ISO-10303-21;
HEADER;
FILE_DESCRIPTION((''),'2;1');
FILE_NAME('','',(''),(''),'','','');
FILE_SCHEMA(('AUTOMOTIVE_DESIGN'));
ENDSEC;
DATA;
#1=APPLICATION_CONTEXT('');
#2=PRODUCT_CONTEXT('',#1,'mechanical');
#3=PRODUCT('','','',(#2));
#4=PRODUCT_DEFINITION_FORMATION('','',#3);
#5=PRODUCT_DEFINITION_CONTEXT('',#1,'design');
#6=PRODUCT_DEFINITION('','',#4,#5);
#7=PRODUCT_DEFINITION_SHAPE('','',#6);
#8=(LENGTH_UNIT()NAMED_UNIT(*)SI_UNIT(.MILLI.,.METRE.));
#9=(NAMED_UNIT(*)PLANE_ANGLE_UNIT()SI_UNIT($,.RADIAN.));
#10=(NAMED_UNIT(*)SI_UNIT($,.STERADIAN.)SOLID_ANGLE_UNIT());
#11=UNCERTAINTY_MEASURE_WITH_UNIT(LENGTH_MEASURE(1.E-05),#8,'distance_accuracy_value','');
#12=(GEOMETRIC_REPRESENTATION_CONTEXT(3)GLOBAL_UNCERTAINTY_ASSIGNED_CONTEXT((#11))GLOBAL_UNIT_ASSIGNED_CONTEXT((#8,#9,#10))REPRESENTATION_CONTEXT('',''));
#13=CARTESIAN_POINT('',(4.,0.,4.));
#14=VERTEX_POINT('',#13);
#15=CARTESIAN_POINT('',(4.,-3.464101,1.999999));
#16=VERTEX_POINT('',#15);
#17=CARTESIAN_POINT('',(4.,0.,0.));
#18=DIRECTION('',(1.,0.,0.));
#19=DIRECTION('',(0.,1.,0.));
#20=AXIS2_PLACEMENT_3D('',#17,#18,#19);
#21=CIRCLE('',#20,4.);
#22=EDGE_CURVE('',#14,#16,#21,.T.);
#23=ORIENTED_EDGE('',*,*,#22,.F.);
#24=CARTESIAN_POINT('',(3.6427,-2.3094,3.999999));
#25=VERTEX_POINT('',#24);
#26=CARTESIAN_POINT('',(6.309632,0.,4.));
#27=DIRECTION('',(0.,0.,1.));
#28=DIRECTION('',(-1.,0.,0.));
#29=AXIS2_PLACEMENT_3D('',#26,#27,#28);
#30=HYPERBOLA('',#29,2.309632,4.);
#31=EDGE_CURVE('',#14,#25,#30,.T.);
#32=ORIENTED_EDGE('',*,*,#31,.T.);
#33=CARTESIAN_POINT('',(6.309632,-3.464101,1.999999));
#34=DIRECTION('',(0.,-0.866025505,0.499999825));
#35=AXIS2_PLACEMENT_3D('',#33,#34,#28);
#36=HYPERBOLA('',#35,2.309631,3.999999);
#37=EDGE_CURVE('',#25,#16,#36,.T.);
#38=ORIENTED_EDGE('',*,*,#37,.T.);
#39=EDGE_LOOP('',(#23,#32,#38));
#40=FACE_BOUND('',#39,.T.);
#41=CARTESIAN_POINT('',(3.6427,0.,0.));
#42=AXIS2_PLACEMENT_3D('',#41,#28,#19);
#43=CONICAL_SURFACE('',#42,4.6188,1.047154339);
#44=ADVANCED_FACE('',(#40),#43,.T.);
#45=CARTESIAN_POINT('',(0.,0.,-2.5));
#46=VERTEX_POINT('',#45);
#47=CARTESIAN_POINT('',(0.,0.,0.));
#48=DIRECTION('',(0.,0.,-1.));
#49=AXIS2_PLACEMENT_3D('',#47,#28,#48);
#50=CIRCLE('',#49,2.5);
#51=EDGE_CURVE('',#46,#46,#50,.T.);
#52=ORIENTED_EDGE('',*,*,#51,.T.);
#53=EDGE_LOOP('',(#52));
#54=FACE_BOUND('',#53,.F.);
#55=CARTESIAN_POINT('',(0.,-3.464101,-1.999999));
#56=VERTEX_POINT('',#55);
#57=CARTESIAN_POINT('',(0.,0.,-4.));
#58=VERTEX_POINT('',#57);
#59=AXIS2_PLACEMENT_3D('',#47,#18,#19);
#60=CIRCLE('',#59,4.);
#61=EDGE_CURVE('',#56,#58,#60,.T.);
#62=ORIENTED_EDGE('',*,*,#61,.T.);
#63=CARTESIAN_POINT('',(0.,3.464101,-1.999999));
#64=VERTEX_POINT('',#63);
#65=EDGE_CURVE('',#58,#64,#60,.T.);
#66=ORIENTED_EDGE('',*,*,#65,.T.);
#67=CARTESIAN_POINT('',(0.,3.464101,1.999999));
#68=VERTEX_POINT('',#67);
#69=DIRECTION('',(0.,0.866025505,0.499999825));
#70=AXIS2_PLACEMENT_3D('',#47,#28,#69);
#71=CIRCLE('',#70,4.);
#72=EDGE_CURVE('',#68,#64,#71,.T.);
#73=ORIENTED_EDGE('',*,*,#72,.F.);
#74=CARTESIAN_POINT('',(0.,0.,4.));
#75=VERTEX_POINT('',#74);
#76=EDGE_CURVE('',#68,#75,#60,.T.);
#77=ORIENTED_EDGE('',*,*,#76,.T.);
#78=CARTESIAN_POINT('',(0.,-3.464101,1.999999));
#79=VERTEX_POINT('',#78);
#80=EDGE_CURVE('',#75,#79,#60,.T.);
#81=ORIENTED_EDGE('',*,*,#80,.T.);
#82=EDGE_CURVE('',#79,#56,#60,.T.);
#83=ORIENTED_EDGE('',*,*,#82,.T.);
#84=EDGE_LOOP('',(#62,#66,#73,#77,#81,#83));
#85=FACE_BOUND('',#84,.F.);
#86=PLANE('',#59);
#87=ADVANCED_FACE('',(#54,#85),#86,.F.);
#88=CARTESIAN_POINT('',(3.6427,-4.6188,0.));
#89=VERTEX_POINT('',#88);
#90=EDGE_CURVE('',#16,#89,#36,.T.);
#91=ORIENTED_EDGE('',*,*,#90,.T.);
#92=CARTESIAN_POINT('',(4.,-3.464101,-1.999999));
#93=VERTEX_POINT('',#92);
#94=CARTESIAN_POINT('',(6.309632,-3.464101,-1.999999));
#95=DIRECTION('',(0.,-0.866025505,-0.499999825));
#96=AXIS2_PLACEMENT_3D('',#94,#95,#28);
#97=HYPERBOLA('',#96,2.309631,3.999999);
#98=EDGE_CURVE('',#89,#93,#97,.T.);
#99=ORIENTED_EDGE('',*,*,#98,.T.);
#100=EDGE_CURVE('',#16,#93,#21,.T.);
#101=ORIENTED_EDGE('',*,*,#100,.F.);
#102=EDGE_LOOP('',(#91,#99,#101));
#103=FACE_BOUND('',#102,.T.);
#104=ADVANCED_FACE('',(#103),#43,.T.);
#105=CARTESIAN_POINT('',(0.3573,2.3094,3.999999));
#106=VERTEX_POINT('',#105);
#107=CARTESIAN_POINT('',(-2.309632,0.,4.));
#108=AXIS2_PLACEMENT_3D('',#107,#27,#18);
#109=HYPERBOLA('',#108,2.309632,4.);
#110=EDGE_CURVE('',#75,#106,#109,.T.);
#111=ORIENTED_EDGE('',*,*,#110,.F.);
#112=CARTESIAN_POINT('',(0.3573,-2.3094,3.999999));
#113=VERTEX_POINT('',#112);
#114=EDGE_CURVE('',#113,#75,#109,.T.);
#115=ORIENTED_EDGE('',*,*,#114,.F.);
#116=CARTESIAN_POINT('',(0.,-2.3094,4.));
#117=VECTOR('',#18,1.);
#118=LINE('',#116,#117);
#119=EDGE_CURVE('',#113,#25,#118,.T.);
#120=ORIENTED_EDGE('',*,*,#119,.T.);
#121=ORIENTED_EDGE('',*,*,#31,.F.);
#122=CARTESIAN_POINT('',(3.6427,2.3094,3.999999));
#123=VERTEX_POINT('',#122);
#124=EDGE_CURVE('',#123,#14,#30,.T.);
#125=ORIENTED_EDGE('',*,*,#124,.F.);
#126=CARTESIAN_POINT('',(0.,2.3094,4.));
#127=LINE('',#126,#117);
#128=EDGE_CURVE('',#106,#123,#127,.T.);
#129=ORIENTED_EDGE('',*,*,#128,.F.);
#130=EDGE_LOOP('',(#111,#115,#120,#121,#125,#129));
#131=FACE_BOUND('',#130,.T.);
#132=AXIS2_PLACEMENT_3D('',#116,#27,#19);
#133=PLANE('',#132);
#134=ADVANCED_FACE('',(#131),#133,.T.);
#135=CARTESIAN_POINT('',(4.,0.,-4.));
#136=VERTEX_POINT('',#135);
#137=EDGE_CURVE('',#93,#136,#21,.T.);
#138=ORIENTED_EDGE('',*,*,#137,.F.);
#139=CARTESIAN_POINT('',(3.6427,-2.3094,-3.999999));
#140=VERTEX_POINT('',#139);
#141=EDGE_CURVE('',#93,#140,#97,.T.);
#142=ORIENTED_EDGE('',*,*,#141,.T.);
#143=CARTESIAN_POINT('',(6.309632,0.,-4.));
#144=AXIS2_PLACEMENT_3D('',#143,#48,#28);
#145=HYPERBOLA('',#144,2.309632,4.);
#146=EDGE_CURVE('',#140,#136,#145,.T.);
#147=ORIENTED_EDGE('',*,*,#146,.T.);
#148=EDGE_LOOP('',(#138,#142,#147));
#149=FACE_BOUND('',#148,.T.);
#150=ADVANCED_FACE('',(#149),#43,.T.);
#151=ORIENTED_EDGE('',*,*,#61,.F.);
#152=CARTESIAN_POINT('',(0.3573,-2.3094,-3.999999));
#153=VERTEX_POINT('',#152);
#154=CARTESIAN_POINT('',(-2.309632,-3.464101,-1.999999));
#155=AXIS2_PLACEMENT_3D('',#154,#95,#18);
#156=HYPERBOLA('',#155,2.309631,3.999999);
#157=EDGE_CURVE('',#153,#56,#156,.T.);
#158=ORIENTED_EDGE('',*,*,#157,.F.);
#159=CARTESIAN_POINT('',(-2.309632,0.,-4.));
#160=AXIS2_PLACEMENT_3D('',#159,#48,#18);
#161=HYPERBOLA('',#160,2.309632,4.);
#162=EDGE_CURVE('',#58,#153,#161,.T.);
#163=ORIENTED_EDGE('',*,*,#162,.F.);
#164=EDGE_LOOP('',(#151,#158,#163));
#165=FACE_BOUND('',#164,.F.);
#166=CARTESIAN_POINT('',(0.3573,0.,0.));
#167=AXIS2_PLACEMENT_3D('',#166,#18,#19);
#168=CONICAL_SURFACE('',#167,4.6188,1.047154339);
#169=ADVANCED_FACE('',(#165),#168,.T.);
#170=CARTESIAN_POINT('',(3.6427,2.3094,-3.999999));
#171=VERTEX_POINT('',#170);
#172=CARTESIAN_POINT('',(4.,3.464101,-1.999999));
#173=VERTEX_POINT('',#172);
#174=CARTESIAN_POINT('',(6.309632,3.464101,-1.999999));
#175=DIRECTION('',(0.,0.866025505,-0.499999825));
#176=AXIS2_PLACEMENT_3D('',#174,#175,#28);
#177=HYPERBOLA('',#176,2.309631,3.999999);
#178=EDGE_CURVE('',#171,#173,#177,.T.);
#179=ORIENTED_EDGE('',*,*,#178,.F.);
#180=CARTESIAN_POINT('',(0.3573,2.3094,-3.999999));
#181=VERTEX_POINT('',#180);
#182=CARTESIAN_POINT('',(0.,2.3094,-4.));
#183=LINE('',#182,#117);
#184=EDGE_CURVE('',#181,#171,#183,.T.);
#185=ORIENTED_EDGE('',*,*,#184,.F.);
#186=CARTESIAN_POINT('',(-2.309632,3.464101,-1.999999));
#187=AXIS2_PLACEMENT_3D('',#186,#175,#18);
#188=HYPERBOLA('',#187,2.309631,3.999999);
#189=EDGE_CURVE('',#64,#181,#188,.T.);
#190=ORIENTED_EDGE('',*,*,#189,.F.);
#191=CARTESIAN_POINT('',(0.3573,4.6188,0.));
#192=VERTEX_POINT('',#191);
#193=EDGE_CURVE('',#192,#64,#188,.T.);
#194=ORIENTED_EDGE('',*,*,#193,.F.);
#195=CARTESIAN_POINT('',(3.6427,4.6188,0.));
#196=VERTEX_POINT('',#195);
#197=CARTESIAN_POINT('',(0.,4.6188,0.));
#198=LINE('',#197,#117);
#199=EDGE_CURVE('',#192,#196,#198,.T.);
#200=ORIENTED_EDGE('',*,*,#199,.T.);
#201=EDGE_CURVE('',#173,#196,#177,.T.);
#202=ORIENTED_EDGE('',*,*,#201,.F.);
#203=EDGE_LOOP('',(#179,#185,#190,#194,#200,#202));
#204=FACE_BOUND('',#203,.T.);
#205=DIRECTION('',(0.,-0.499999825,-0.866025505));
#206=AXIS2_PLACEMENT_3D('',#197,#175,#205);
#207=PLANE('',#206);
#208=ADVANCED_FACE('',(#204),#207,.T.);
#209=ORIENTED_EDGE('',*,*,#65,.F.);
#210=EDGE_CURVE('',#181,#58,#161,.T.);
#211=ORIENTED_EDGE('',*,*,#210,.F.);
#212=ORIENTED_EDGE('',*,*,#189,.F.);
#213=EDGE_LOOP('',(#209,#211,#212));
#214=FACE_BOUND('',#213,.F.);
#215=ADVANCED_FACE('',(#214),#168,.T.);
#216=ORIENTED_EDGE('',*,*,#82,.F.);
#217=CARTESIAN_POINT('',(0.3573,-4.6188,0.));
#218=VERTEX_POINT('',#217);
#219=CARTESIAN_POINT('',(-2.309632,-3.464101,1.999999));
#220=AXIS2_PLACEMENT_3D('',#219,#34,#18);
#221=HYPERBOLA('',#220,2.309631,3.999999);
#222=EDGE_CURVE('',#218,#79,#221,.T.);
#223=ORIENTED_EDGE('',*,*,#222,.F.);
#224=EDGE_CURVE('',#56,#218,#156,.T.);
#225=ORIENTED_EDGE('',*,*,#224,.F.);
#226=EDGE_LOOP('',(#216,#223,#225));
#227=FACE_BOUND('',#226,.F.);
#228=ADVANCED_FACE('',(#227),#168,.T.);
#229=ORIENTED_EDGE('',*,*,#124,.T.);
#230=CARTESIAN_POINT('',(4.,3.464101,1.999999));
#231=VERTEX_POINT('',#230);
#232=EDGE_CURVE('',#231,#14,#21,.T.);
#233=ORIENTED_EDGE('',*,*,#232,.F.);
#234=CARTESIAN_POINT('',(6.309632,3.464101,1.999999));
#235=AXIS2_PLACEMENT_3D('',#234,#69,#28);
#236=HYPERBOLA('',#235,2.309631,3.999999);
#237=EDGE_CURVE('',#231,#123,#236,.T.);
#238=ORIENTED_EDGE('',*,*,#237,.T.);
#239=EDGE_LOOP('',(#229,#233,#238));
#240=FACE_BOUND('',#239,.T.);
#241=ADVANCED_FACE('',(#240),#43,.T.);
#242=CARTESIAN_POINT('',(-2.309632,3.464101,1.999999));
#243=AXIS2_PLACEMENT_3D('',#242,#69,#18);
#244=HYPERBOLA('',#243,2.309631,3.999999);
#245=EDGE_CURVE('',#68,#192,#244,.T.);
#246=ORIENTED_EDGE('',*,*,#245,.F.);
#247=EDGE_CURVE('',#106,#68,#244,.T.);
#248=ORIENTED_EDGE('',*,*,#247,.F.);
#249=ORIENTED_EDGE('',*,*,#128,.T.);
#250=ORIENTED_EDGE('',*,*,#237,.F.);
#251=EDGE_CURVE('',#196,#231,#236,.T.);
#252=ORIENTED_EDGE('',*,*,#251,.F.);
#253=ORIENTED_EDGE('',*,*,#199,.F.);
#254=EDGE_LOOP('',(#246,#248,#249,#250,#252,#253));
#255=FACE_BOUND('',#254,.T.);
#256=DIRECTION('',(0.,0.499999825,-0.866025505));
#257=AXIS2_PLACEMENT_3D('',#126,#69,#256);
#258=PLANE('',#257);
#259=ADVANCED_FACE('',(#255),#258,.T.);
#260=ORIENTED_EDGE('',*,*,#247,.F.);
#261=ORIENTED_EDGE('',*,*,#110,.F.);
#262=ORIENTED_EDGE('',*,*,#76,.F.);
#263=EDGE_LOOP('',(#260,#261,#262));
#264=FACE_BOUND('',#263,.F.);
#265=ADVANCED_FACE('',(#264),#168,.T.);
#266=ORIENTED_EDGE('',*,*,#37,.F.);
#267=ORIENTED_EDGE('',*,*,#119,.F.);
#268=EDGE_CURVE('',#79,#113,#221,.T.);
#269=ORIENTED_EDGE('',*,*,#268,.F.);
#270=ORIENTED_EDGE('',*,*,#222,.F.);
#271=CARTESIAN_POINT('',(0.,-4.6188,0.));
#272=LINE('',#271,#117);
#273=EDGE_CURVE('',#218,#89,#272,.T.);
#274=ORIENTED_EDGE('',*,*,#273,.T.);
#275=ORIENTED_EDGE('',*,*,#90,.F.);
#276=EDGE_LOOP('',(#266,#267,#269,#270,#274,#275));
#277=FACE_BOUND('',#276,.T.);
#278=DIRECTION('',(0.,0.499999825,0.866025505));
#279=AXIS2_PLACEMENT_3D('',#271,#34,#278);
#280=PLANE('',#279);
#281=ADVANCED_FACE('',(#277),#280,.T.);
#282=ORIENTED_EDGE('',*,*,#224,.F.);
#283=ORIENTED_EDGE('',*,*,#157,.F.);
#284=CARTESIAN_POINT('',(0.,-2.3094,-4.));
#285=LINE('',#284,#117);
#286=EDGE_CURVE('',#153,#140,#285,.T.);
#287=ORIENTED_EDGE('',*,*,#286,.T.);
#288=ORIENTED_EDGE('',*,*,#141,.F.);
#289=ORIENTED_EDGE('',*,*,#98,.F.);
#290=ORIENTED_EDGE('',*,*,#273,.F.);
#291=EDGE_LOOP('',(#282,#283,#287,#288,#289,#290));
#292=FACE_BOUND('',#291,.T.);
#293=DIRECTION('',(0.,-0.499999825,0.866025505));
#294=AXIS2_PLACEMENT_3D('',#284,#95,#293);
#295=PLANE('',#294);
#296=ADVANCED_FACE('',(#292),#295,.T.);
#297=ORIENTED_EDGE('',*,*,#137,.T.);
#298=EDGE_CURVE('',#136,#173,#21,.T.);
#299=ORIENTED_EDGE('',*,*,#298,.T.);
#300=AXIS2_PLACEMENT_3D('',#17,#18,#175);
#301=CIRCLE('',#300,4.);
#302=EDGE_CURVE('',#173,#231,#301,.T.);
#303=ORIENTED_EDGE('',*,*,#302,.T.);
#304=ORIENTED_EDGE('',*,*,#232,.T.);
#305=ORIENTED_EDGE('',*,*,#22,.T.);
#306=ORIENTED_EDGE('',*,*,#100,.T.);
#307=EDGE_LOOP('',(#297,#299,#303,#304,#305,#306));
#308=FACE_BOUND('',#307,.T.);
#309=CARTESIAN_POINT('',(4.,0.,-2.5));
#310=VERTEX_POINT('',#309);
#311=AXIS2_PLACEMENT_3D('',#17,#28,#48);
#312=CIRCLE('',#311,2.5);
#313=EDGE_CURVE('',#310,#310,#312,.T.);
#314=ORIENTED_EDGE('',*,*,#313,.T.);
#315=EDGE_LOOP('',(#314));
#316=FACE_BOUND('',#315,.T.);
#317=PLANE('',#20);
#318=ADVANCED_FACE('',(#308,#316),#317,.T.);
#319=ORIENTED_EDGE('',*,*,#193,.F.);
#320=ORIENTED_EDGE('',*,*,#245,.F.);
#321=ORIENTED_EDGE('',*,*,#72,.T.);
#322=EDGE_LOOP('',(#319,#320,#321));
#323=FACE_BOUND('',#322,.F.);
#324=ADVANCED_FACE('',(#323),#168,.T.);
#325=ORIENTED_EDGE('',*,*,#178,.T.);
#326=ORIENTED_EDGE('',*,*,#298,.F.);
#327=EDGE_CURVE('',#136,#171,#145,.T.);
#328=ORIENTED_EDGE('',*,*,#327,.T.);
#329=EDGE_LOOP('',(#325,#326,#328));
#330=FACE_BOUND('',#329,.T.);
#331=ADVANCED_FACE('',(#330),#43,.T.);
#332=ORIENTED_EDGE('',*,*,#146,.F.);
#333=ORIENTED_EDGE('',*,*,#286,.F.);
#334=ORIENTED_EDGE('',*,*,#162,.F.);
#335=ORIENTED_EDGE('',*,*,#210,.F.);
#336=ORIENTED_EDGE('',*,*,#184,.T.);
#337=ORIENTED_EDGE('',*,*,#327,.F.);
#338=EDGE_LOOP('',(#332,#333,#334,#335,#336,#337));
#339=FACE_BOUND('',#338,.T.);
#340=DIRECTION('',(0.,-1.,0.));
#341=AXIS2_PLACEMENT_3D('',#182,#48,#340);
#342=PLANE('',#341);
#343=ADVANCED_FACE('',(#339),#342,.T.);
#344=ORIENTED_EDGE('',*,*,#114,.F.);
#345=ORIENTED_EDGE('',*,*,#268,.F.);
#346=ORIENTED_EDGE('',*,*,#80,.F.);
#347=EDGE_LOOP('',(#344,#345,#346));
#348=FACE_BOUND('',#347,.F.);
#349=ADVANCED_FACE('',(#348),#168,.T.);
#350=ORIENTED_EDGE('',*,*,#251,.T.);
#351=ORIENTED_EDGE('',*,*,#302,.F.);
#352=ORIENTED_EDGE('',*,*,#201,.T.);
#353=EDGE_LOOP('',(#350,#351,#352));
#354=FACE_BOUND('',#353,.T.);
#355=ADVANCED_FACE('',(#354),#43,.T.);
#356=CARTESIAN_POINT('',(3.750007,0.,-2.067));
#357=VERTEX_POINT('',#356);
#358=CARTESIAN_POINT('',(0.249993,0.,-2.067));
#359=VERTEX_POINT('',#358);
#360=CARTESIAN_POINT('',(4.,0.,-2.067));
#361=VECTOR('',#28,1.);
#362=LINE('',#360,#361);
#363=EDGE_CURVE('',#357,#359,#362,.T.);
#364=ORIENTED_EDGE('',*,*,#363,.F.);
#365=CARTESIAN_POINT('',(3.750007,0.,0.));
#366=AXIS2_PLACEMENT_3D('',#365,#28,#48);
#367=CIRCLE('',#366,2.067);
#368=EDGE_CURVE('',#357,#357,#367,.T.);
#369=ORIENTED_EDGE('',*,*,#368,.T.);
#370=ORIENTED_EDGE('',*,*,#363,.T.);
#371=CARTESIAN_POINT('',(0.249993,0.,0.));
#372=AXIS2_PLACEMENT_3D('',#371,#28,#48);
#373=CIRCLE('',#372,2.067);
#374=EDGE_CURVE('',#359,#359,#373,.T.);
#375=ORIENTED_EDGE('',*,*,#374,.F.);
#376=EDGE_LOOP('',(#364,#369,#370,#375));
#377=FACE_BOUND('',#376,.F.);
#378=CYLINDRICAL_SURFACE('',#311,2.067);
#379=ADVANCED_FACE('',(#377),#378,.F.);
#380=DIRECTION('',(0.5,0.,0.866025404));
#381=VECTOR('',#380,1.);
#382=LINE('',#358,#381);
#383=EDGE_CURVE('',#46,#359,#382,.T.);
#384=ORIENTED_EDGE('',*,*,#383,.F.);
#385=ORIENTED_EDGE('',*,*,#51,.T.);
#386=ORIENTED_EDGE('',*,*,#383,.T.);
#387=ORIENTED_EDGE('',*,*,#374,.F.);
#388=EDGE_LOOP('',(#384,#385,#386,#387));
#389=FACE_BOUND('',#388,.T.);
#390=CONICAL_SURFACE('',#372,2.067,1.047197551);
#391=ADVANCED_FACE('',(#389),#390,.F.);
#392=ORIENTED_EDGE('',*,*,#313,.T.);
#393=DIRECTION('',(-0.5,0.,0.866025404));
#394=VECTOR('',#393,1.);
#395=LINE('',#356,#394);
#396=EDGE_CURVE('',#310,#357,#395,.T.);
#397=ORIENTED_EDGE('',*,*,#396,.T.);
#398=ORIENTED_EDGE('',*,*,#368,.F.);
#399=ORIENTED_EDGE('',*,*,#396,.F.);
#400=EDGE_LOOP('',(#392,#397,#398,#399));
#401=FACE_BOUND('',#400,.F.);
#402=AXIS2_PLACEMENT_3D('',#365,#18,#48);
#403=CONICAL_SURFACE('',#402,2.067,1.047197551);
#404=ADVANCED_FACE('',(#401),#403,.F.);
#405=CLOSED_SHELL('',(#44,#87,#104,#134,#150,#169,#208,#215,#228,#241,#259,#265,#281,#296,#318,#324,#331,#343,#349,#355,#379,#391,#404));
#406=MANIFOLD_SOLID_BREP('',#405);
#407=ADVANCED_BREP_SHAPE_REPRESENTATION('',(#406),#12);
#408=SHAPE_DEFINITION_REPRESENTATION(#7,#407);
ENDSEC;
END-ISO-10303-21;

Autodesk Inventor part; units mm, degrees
ref_plane "YZ Plane" through (0, 0, 0) normal (1, 0, 0) x (0, 1, 0)
ref_plane "XZ Plane" through (0, 0, 0) normal (0, 1, 0) x (-1, 0, 0)
sketch "Sketch1" plane through (0, 0, 0) normal (1, 0, 0) x (0, 1, 0)
  line L0 (-4.6188, 0) -> (-2.3094, 4)
  line L1 (-2.3094, 4) -> (2.3094, 4)
  line L2 (2.3094, 4) -> (4.6188, 0)
  line L3 (4.6188, 0) -> (2.3094, -4)
  line L4 (2.3094, -4) -> (-2.3094, -4)
  line L5 (-2.3094, -4) -> (-4.6188, 0)
  point P0 (0, 0)
  point P1 (0, 0)
  dimension "d0" = 9.2376
extrude "Body" add sketch "Sketch1" along normal blind 4
sketch "Sketch2" plane through (0, 0, 0) normal (0, 0, 1) x (1, 0, 0)
  line L0 (0, 2.3094) -> (0, 4.6188) projected
  line L1 (0, 4.6188) -> (4, 4.6188) projected
  line L2 (4, 2.3094) -> (4, 4.6188) projected
  line L3 (-0.8, 0) -> (4.8, 0) projected
  line L4 (0.3573, 4.6188) -> (0, 4)
  line L5 (3.6427, 4.6188) -> (4, 4)
  dimension "d3" = 30
  dimension "d4" = 30
  dimension "d5" = 8
  dimension "d6" = 8
revolve "Chamfer1" cut sketch "Sketch2" angle 360 about axis through (-10, 0, 0) along (1, 0, 0)
sketch "Sketch3" plane through (4, 0, 0) normal (1, 0, 0) x (0, 0, -1)
  arc A0 (-2, -3.4641) -> (2, -3.4641) centre (0, 0) ccw projected
hole "Thread" at (4, 0, 0) direction (-1, 0, 0) diameter 4.134 end through all thread size "M5x0.8" class "6H" standard "ISO Metric profile"
chamfer "Chamfer2" distance 0.433 angle 30 1 edges at (4, 0, 2.067) measured on face at (4, 3.336, -0.083)
chamfer "Chamfer3" distance 0.433 angle 30 1 edges at (0, 0, 2.067) measured on face at (0, 3.336, -0.083)
ref_plane "Work Plane1" through (-8.8582, 0, 0) normal (0, -0.866, -0.5) x (1, 0, 0)
equation "\"d0\" = 1.1547 * SW"
equation "\"d1\" = KOH"
equation "\"d3\" = ANG1"
equation "\"d4\" = ANG2"
equation "\"d5\" = SW0"
equation "\"d6\" = SW01"
equation "\"d8\" = -0.5 * GD1 + 0.5 * NND"
equation "\"d40\" = -0.5 * GD1 + 0.5 * NND"
equation "\"d10\" = -0.5 * GD1 + 0.5 * NND"
equation "\"d41\" = -0.5 * GD1 + 0.5 * NND"
equation "\"ANG1\" = 30deg"
equation "\"ANG2\" = 30deg"
equation "\"NND\" = 5"
equation "\"KOH\" = 4"
equation "\"SW\" = 8"
equation "\"SW0\" = SW"
equation "\"SW01\" = SW"
equation "\"GUL\" = 0.541266 * PTC"
equation "\"THREADDIA\" = 5"
equation "\"TOA\" = 30deg"
equation "\"PTC\" = 0.8"
equation "\"E0\" = 1.155 * SW"
equation "\"GAL\" = 0.541266 * PTC"
equation "\"GD1\" = 4.133975"
properties part number "JIS B 1181 - HN - Class 2 Finished M5" material "Steel, Mild"
